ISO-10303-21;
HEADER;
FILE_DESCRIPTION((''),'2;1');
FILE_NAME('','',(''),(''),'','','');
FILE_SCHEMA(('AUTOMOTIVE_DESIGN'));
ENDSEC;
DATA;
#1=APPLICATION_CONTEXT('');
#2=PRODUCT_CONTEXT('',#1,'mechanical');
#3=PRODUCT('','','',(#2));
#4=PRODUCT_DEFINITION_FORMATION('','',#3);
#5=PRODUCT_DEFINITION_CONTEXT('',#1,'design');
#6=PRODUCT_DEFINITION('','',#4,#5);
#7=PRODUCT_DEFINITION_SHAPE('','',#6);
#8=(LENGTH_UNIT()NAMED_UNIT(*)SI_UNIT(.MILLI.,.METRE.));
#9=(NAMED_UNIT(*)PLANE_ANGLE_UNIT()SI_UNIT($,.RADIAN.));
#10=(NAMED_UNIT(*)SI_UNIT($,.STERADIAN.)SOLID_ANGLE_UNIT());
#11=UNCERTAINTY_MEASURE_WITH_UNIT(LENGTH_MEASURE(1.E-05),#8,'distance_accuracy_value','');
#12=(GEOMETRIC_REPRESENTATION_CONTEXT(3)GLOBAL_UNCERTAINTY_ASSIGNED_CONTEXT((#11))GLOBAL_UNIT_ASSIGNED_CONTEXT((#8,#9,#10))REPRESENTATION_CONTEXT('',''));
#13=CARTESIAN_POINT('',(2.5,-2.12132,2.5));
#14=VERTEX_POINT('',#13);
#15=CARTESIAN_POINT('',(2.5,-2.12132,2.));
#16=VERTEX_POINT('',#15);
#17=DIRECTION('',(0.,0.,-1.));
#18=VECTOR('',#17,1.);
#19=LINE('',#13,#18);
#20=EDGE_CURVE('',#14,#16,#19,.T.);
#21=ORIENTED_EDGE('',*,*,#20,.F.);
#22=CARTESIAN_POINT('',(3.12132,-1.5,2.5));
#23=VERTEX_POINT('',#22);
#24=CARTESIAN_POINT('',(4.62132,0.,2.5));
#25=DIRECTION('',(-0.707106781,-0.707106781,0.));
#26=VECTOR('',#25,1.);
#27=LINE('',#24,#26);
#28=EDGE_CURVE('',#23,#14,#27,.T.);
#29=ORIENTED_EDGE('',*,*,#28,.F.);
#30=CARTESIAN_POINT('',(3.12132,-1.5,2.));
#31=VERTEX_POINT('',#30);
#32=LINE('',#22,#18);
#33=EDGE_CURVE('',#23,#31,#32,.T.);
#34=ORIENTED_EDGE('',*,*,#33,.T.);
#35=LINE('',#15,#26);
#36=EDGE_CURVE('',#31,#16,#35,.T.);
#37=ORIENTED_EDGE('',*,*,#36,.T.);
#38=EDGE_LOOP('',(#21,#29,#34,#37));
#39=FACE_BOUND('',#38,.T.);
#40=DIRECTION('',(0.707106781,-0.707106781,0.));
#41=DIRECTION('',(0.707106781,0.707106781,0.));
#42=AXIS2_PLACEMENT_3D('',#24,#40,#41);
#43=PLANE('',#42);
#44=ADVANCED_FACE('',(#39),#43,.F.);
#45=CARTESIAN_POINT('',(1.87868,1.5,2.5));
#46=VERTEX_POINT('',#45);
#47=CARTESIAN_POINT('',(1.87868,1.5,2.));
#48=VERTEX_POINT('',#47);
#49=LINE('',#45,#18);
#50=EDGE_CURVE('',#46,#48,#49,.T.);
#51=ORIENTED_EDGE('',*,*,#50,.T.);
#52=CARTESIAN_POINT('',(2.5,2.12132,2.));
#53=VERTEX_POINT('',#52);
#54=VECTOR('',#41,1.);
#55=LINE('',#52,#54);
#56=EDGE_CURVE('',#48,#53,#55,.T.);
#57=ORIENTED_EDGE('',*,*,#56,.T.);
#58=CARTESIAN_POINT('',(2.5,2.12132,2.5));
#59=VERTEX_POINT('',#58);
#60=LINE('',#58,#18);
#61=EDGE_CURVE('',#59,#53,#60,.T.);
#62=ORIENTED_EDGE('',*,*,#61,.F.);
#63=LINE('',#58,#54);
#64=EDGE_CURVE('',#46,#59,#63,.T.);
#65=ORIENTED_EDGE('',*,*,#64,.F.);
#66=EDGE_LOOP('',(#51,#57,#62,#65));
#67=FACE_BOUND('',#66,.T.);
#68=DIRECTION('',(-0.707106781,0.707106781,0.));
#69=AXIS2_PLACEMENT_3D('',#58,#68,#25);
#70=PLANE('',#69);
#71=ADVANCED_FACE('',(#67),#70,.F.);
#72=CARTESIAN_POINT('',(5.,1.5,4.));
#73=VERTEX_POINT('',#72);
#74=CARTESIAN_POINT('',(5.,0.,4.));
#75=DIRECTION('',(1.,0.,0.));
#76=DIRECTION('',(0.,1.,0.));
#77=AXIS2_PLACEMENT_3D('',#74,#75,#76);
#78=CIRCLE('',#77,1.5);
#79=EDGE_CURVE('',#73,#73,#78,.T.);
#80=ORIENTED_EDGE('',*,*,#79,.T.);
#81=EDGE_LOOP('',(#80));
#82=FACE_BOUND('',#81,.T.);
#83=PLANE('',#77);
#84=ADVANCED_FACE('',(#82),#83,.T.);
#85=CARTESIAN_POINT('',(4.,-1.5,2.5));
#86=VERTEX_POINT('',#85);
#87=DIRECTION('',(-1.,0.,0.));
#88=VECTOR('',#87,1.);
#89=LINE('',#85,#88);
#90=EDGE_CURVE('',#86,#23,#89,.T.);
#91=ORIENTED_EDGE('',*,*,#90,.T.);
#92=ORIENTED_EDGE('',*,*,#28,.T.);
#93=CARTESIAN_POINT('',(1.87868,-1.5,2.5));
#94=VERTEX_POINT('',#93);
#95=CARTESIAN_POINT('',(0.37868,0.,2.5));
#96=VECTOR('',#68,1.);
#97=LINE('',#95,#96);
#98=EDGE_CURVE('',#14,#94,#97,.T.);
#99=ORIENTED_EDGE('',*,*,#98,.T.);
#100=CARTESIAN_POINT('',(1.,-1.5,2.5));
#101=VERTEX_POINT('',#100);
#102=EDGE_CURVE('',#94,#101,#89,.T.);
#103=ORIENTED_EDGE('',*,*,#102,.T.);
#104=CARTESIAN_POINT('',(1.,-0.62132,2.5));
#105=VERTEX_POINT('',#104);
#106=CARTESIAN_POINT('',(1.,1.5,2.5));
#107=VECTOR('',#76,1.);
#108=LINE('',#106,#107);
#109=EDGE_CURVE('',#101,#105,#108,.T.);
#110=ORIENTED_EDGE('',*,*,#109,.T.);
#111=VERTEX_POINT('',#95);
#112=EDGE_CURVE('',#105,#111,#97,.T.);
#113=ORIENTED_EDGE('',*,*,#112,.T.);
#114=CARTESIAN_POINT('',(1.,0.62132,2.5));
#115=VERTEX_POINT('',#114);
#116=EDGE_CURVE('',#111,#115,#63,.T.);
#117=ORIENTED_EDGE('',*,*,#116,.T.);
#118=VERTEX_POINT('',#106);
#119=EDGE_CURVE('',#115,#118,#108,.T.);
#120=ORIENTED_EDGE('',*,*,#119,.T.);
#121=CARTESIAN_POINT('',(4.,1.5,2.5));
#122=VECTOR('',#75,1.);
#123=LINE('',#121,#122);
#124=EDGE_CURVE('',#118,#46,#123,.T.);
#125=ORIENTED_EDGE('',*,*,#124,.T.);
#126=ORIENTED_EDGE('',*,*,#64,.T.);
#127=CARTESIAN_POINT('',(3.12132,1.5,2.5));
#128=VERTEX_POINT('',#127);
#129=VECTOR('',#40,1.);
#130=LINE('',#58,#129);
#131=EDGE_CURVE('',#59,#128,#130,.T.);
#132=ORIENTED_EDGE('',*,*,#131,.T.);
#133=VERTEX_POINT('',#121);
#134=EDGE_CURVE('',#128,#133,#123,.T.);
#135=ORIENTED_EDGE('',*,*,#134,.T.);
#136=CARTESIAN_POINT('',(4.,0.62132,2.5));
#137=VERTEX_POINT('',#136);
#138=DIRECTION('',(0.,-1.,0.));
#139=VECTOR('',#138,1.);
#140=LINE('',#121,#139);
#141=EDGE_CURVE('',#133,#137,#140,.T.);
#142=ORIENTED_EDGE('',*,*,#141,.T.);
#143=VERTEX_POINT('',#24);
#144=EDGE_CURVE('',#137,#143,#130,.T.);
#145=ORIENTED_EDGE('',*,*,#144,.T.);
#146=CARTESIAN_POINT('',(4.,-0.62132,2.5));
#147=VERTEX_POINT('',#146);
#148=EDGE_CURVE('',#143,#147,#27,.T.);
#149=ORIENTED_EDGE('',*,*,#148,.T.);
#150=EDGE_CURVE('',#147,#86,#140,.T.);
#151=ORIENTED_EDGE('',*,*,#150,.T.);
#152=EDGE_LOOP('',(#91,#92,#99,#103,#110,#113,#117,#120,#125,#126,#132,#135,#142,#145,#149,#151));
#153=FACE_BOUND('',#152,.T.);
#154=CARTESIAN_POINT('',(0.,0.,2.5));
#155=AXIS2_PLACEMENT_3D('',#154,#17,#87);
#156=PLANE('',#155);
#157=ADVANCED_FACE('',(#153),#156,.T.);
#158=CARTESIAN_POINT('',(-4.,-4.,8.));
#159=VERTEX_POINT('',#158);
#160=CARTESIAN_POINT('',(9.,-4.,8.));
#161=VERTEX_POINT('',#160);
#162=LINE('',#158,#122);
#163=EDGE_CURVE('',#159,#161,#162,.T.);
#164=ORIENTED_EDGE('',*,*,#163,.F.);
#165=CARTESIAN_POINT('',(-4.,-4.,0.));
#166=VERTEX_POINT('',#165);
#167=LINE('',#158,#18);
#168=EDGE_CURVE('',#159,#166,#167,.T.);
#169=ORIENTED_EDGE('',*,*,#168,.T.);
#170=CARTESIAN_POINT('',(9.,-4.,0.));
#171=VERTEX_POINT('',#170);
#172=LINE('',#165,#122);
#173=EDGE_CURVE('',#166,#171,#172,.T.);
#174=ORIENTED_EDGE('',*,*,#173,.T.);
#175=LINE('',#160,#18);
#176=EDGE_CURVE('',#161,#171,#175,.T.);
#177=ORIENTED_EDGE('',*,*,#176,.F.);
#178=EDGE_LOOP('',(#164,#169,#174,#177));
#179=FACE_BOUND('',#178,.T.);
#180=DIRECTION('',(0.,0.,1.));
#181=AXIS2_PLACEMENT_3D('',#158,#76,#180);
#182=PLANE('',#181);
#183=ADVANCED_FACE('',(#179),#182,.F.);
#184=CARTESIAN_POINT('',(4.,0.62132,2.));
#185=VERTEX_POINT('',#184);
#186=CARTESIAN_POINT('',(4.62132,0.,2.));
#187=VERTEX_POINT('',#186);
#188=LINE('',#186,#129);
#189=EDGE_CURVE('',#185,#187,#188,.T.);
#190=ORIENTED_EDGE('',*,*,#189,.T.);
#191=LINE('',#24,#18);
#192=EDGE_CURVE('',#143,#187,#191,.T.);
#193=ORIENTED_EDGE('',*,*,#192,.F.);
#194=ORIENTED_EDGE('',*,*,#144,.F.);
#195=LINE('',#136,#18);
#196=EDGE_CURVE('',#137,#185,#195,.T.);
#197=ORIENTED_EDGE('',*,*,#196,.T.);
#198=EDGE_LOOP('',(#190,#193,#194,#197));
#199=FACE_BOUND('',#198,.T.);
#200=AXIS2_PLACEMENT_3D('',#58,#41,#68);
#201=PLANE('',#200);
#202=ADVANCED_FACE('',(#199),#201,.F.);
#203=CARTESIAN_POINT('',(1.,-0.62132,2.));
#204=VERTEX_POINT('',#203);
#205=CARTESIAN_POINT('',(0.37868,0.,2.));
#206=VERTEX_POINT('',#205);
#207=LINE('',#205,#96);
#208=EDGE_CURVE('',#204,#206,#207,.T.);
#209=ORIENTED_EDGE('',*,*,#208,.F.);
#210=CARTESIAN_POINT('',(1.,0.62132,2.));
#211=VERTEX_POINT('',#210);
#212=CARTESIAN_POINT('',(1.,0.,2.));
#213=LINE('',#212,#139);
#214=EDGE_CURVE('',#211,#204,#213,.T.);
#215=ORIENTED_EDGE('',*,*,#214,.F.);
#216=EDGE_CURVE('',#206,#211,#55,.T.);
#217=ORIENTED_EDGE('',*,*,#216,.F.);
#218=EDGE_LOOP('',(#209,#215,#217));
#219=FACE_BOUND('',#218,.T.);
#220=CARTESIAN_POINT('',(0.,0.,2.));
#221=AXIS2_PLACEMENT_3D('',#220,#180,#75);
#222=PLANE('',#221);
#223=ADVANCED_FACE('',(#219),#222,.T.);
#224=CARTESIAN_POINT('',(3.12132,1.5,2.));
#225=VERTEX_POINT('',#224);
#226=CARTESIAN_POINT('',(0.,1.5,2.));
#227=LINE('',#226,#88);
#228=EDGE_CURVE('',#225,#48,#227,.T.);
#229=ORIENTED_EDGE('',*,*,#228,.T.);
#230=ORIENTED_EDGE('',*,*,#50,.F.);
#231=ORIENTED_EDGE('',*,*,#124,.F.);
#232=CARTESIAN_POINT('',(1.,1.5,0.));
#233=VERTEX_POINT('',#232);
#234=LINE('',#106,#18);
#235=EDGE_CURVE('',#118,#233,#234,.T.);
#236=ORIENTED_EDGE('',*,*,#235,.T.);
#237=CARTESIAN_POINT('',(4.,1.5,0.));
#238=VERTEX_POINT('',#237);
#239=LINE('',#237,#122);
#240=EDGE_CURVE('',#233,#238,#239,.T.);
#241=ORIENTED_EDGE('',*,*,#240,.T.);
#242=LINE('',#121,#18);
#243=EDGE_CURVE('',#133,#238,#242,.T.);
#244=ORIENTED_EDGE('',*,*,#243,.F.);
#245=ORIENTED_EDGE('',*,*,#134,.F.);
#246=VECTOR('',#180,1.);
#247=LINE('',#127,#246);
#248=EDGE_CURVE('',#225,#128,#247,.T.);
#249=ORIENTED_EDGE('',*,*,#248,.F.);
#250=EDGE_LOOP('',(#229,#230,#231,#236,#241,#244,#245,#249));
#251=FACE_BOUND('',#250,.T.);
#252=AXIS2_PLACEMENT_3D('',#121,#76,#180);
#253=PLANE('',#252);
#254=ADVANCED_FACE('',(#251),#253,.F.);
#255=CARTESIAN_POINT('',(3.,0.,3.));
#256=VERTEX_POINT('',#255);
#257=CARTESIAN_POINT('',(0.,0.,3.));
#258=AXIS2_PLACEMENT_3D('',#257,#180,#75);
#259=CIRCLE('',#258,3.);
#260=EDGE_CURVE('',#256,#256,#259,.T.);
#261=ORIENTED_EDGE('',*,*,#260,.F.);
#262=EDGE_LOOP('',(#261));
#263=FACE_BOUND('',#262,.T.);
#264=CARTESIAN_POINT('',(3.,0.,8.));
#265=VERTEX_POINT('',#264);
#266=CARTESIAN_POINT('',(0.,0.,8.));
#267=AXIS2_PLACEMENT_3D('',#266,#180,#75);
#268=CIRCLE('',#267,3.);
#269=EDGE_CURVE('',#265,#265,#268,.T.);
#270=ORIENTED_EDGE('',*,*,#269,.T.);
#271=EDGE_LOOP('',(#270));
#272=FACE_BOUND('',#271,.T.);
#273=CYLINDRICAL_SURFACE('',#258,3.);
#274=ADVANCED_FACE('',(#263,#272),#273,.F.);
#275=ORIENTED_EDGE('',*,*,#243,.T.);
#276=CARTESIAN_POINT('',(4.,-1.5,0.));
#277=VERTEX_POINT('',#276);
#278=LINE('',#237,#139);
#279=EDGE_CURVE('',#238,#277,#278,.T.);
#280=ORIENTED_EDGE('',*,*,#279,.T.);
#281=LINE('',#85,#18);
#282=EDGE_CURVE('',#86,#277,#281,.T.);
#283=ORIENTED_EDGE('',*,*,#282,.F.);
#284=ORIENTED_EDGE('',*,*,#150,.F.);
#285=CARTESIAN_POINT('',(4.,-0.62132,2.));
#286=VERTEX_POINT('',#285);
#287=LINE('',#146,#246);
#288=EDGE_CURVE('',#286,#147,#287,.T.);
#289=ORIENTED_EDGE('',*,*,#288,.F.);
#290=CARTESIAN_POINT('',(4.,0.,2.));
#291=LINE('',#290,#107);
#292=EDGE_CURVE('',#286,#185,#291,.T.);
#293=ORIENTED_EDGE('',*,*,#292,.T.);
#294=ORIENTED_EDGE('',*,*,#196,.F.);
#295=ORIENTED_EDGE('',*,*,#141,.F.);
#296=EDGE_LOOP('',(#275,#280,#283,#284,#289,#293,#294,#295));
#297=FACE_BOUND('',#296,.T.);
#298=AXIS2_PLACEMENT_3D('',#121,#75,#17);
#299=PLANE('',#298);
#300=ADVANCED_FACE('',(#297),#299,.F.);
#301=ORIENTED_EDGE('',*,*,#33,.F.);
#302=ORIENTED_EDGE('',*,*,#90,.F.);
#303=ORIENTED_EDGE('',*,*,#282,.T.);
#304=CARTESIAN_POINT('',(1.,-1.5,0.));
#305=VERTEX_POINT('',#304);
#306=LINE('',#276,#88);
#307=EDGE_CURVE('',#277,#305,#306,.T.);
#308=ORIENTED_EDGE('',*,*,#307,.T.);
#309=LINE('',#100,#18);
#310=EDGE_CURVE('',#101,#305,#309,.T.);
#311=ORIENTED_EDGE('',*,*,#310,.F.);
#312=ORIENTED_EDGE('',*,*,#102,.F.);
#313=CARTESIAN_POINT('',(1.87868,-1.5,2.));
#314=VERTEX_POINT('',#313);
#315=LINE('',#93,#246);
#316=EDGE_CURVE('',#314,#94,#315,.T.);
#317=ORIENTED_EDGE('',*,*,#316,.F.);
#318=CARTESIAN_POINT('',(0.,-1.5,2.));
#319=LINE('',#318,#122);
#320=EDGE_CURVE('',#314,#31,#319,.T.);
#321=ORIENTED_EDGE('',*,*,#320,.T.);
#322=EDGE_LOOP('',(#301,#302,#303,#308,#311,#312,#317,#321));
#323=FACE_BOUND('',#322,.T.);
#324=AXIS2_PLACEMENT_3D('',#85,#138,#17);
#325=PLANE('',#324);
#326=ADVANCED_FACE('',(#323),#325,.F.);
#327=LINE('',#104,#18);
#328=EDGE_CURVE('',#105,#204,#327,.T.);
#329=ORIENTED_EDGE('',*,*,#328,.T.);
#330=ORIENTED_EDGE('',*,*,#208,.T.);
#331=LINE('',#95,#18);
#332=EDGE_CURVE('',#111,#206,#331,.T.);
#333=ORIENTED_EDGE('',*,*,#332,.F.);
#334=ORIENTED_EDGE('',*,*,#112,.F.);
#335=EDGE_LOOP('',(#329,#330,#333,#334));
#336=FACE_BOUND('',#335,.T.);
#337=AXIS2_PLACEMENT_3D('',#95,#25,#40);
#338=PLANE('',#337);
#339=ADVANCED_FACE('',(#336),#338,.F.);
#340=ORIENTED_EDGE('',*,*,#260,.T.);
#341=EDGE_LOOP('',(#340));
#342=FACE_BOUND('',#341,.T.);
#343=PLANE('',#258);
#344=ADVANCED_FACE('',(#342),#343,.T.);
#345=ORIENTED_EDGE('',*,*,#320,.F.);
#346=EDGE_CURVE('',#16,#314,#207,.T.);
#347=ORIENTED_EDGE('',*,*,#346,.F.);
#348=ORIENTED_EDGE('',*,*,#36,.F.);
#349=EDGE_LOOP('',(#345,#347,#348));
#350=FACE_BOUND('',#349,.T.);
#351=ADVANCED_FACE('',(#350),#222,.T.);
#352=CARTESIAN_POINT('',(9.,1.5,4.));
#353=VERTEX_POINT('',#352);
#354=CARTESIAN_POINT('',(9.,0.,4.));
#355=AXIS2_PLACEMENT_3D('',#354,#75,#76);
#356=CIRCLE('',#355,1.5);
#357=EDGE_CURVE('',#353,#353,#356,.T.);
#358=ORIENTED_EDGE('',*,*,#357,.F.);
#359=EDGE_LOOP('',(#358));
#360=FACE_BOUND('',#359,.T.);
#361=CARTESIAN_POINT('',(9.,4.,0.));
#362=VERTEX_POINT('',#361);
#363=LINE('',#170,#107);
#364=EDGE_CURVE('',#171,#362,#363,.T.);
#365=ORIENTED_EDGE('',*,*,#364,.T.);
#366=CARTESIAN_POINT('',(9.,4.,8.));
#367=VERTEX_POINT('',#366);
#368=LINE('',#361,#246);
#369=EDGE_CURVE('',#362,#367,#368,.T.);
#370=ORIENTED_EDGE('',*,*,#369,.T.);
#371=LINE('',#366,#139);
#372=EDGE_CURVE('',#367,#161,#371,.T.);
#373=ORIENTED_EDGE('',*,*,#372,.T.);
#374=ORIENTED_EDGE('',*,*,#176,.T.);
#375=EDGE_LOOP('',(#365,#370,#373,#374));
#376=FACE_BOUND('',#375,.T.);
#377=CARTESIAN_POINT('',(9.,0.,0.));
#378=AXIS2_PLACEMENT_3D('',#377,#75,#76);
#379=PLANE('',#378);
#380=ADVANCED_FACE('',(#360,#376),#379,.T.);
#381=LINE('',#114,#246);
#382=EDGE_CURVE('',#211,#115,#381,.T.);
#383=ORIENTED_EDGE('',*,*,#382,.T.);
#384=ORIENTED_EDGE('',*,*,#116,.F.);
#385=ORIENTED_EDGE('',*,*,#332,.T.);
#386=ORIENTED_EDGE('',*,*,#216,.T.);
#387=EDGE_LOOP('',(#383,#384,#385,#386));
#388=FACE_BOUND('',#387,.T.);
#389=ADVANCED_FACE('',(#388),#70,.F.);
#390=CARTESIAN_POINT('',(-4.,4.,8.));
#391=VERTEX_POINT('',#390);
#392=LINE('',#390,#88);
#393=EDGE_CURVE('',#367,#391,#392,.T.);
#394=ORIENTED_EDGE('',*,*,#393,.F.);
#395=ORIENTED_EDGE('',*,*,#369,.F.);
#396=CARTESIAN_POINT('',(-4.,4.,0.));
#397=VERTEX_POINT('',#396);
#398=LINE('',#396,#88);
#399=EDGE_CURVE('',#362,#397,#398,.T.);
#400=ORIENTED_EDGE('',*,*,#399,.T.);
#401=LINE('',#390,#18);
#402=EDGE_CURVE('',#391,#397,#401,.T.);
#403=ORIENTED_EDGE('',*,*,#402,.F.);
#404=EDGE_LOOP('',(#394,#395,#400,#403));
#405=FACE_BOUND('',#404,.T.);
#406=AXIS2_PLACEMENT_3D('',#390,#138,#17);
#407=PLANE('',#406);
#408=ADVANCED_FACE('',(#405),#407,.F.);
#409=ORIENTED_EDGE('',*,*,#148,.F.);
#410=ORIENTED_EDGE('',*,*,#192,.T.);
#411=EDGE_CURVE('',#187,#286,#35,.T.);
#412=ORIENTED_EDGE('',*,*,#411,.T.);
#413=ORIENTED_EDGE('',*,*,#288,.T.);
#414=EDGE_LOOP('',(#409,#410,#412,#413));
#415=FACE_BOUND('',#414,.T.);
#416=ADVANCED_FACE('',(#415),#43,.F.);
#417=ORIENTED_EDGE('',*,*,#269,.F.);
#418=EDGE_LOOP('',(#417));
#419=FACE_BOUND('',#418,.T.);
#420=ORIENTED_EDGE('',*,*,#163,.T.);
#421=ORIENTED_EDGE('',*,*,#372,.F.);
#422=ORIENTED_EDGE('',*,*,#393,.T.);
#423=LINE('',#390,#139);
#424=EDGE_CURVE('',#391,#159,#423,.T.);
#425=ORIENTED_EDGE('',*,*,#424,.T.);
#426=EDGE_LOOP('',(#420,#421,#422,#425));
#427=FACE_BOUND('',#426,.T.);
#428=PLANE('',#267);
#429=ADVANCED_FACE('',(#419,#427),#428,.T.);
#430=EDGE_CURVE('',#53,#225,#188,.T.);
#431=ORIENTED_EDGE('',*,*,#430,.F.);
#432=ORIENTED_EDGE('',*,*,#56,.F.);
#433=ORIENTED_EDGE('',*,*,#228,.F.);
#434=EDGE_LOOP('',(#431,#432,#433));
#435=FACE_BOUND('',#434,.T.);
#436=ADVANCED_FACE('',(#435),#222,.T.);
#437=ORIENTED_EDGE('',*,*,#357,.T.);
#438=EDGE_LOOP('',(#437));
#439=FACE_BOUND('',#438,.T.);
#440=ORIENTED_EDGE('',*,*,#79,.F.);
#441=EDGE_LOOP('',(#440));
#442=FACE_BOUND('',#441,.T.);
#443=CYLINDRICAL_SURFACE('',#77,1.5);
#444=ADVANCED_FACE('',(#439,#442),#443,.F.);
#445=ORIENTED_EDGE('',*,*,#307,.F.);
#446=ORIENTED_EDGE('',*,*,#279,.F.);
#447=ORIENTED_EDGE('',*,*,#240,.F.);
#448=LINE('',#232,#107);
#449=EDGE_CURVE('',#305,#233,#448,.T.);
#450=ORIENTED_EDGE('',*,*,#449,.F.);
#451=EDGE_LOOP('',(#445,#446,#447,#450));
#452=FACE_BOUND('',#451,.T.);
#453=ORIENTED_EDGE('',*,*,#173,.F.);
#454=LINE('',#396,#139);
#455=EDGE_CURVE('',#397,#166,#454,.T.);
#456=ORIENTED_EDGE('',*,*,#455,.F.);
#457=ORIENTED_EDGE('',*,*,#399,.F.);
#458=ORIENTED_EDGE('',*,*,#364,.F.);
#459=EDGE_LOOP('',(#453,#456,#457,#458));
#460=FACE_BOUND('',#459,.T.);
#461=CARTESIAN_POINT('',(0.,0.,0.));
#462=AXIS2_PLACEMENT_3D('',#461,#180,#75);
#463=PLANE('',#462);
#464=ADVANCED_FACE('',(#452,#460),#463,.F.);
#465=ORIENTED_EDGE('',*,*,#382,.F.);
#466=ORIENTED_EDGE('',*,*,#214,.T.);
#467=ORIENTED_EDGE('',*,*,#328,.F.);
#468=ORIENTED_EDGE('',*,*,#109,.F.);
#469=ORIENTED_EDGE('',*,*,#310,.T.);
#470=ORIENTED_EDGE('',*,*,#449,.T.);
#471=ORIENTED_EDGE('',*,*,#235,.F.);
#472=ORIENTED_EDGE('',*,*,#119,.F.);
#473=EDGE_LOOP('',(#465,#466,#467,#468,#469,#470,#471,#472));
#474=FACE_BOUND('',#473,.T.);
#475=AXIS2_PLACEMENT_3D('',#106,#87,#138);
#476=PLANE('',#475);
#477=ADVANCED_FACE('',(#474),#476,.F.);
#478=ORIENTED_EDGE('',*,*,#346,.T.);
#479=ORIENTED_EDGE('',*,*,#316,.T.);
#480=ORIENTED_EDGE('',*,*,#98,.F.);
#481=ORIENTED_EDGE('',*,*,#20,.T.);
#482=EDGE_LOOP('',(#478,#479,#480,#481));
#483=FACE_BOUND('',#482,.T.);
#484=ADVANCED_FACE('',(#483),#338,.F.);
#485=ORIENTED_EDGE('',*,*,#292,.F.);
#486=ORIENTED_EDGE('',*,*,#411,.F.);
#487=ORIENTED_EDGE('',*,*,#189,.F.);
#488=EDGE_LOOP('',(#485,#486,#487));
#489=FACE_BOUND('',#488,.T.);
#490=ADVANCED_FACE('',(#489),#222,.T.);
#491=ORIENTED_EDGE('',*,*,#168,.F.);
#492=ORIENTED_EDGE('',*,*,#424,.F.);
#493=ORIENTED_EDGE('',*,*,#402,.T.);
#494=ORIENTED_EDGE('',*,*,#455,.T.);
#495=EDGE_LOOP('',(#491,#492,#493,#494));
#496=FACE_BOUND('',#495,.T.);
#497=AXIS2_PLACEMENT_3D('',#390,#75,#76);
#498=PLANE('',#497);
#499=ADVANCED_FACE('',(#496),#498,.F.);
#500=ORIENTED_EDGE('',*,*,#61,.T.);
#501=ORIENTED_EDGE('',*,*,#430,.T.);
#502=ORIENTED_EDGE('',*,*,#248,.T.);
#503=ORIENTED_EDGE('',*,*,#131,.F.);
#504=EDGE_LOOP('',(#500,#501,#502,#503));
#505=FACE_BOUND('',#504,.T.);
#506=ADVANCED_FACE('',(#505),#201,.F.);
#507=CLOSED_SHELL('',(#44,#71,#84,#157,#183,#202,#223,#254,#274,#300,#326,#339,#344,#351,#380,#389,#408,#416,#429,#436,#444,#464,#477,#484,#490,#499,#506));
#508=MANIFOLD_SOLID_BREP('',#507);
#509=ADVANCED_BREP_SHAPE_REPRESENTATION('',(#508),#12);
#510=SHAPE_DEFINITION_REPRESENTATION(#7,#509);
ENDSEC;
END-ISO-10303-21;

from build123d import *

# Parameters (mm, degrees)
SKETCH2_W           = 8
SKETCH2_H           = 8
BOSS_EXTRUDE1_DEPTH = 8
SKETCH3_R           = 3
CUT_EXTRUDE1_DEPTH  = 5
SKETCH5_W           = 8
SKETCH5_H           = 8
BOSS_EXTRUDE2_DEPTH = 5
SKETCH6_R           = 1.5
CUT_EXTRUDE2_DEPTH  = 4
CUT_EXTRUDE3_DEPTH  = 2.5
BOSS_EXTRUDE4_DEPTH = 2
CUT_EXTRUDE4_DEPTH  = 1
BOSS_EXTRUDE5_DEPTH = 2
SKETCH11_W          = 3
SKETCH11_H          = 3
CUT_EXTRUDE8_DEPTH  = 2.5


with BuildPart() as part:
    # Sketch2 → Boss-Extrude1 (new body)
    with BuildSketch(Plane.XY):
        Rectangle(SKETCH2_W, SKETCH2_H)
    extrude(amount=BOSS_EXTRUDE1_DEPTH)

    # Sketch3 → Cut-Extrude1 (cut)
    with BuildSketch(Plane.XY.offset(8)):
        Circle(SKETCH3_R)
    extrude(amount=-CUT_EXTRUDE1_DEPTH, mode=Mode.SUBTRACT)

    # Sketch5 → Boss-Extrude2 (add)
    with BuildSketch(Plane(origin=(4, 0, 0), x_dir=(0, 0, -1), z_dir=(1, 0, 0))):
        with Locations((-4, 0)):
            Rectangle(SKETCH5_W, SKETCH5_H)
    extrude(amount=BOSS_EXTRUDE2_DEPTH)

    # Sketch6 → Cut-Extrude2 (cut)
    with BuildSketch(Plane(origin=(9, 0, 0), x_dir=(0, 0, -1), z_dir=(1, 0, 0))):
        with Locations(Location((-4, 0, 0), (0, 0, 90))):
            Circle(SKETCH6_R)
    extrude(amount=-CUT_EXTRUDE2_DEPTH, mode=Mode.SUBTRACT)

    # Sketch7 → Cut-Extrude3 (cut)
    with BuildSketch(Plane(origin=(0, 0, 0), x_dir=(-1, 0, 0), z_dir=(0, 0, -1))):
        Polygon((-2.5, 2.121320344), (-0.378679656, 0), (-2.5, -2.121320344), (-4.621320344, 0), align=None)
    extrude(amount=-CUT_EXTRUDE3_DEPTH, mode=Mode.SUBTRACT)

    # Sketch8 → Boss-Extrude4 (add)
    with BuildSketch(Plane(origin=(0, 0, 0), x_dir=(-1, 0, 0), z_dir=(0, 0, -1))):
        Polygon((-4.621320344, 0), (-2.5, 2.121320344), (-0.378679656, 0), (-2.5, -2.121320344), align=None)
    extrude(amount=-BOSS_EXTRUDE4_DEPTH)

    # Sketch9 → Cut-Extrude4 (cut)
    with BuildSketch(Plane(origin=(0, 0, 0), x_dir=(-1, 0, 0), z_dir=(0, 0, -1))):
        Polygon((-6.487359326, 0), (-5.148694176, 2.68476733), (-2.463926846, 1.346102179), (-3.802591997, -1.338665151), align=None)
    extrude(amount=-CUT_EXTRUDE4_DEPTH, mode=Mode.SUBTRACT)

    # Sketch10 → Boss-Extrude5 (add)
    with BuildSketch(Plane(origin=(0, 0, 0), x_dir=(-1, 0, 0), z_dir=(0, 0, -1))):
        Polygon((-5.148694176, 2.68476733), (-2.463926846, 1.346102179), (-3.802591997, -1.338665151), (-6.487359326, 0), align=None)
    extrude(amount=-BOSS_EXTRUDE5_DEPTH)

    # Sketch11 → Cut-Extrude8 (cut)
    with BuildSketch(Plane(origin=(0, 0, 0), x_dir=(-1, 0, 0), z_dir=(0, 0, -1))):
        with Locations((-2.5, 0)):
            Rectangle(SKETCH11_W, SKETCH11_H)
    extrude(amount=-CUT_EXTRUDE8_DEPTH, mode=Mode.SUBTRACT)


solid = part.part
